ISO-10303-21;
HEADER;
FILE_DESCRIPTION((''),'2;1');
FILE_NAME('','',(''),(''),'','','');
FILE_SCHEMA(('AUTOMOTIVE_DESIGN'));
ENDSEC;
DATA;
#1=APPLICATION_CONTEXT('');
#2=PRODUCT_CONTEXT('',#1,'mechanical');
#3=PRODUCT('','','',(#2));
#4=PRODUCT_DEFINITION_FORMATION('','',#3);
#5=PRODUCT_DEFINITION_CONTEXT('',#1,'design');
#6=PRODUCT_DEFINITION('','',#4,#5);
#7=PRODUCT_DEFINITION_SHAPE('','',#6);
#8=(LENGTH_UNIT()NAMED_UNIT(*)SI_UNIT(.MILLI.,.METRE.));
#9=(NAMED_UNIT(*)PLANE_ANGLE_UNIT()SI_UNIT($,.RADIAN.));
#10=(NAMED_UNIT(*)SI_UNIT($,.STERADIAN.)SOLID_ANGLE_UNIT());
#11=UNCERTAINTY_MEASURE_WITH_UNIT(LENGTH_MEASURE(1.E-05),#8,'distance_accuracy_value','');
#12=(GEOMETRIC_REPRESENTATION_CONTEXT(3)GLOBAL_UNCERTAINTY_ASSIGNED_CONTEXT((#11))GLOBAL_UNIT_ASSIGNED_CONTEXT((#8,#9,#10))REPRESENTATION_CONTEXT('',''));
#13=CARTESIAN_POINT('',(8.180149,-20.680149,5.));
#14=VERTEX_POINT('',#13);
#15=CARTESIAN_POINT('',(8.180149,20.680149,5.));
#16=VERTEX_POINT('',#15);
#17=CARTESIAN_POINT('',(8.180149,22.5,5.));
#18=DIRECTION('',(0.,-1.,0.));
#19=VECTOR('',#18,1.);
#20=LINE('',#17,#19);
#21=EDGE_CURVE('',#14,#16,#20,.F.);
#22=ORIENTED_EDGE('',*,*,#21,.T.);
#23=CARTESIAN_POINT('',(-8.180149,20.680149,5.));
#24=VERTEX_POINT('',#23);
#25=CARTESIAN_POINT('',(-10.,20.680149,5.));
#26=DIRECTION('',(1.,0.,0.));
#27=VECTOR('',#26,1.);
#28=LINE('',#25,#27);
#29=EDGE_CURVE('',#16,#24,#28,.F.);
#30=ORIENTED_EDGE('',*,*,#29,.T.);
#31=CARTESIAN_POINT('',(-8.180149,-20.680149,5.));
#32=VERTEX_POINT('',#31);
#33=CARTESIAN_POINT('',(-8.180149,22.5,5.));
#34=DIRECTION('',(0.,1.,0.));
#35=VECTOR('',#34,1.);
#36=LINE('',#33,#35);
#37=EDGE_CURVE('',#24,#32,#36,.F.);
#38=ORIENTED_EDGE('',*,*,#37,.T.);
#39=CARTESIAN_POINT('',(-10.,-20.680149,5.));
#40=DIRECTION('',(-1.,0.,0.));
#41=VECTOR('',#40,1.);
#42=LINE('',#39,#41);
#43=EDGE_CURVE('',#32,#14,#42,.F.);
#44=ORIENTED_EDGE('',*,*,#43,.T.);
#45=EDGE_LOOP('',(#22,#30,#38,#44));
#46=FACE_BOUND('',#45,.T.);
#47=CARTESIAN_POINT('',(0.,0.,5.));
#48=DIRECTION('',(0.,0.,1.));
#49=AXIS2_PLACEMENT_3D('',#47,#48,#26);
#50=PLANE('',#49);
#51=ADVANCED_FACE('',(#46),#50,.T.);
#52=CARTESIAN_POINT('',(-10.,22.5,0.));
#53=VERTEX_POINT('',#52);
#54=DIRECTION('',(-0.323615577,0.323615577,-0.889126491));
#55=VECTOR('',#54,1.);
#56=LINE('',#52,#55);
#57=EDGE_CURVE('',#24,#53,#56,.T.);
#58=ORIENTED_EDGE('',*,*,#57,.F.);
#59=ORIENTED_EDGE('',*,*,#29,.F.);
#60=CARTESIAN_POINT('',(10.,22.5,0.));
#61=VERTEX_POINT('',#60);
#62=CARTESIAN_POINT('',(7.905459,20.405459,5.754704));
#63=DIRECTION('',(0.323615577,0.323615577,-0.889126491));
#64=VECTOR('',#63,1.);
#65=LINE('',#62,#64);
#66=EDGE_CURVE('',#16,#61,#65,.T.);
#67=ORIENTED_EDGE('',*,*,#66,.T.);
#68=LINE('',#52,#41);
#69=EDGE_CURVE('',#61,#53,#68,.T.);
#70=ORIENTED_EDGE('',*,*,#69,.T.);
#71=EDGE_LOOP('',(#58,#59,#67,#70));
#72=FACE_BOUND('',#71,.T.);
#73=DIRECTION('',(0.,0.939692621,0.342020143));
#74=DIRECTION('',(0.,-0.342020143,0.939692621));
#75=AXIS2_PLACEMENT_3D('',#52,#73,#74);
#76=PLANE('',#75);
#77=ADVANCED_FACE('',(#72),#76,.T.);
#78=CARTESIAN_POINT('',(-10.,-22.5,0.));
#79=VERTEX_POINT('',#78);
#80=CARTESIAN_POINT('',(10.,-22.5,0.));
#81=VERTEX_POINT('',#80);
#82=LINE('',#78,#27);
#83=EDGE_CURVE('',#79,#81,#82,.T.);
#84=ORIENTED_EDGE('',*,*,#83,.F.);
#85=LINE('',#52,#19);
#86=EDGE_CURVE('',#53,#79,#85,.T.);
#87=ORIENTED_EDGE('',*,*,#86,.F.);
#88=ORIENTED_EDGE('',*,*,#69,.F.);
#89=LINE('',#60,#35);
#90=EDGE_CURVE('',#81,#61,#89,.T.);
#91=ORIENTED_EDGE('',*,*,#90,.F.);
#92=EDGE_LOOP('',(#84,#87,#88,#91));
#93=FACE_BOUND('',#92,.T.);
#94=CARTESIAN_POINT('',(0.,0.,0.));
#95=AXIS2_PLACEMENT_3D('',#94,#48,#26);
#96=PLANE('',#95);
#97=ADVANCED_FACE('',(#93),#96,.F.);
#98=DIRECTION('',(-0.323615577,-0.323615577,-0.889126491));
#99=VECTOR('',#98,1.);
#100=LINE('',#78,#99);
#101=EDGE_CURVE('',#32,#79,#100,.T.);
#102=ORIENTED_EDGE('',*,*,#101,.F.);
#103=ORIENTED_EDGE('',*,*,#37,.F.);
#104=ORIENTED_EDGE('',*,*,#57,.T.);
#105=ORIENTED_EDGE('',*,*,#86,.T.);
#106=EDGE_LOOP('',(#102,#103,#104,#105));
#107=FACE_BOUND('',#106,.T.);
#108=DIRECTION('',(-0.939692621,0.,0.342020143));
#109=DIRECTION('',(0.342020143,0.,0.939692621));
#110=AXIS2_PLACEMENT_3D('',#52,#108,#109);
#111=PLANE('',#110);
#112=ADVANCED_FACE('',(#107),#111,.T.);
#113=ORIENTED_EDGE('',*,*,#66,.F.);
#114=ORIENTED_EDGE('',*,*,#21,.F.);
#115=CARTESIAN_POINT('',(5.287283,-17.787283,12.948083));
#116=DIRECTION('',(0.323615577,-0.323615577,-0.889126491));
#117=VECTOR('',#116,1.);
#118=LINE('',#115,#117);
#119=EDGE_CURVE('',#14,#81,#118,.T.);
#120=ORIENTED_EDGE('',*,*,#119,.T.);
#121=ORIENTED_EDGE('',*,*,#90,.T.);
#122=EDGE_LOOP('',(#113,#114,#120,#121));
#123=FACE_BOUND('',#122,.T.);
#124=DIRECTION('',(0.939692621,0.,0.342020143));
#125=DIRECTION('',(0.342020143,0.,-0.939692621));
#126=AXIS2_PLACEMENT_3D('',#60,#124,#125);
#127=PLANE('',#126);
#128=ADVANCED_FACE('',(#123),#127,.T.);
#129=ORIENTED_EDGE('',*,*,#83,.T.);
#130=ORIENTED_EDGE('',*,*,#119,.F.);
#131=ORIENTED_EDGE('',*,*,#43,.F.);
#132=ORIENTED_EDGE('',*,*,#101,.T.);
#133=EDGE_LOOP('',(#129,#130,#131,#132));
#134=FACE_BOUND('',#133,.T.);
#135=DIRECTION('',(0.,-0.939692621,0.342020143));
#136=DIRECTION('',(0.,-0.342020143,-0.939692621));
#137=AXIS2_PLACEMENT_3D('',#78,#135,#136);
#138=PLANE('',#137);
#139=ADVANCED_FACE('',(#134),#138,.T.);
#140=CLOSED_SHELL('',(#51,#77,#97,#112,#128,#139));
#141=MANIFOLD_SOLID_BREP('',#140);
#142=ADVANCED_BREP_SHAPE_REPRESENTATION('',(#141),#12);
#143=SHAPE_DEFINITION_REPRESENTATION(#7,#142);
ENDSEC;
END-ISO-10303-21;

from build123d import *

# Parameters (mm, degrees)
SKETCH1_W           = 20
SKETCH1_H           = 45
BOSS_EXTRUDE1_DEPTH = 5
BOSS_EXTRUDE1_TAPER = 20


with BuildPart() as part:
    # Sketch1 → Boss-Extrude1 (new body)
    with BuildSketch(Plane.XY):
        Rectangle(SKETCH1_W, SKETCH1_H)
    extrude(amount=BOSS_EXTRUDE1_DEPTH, taper=BOSS_EXTRUDE1_TAPER)


solid = part.part
